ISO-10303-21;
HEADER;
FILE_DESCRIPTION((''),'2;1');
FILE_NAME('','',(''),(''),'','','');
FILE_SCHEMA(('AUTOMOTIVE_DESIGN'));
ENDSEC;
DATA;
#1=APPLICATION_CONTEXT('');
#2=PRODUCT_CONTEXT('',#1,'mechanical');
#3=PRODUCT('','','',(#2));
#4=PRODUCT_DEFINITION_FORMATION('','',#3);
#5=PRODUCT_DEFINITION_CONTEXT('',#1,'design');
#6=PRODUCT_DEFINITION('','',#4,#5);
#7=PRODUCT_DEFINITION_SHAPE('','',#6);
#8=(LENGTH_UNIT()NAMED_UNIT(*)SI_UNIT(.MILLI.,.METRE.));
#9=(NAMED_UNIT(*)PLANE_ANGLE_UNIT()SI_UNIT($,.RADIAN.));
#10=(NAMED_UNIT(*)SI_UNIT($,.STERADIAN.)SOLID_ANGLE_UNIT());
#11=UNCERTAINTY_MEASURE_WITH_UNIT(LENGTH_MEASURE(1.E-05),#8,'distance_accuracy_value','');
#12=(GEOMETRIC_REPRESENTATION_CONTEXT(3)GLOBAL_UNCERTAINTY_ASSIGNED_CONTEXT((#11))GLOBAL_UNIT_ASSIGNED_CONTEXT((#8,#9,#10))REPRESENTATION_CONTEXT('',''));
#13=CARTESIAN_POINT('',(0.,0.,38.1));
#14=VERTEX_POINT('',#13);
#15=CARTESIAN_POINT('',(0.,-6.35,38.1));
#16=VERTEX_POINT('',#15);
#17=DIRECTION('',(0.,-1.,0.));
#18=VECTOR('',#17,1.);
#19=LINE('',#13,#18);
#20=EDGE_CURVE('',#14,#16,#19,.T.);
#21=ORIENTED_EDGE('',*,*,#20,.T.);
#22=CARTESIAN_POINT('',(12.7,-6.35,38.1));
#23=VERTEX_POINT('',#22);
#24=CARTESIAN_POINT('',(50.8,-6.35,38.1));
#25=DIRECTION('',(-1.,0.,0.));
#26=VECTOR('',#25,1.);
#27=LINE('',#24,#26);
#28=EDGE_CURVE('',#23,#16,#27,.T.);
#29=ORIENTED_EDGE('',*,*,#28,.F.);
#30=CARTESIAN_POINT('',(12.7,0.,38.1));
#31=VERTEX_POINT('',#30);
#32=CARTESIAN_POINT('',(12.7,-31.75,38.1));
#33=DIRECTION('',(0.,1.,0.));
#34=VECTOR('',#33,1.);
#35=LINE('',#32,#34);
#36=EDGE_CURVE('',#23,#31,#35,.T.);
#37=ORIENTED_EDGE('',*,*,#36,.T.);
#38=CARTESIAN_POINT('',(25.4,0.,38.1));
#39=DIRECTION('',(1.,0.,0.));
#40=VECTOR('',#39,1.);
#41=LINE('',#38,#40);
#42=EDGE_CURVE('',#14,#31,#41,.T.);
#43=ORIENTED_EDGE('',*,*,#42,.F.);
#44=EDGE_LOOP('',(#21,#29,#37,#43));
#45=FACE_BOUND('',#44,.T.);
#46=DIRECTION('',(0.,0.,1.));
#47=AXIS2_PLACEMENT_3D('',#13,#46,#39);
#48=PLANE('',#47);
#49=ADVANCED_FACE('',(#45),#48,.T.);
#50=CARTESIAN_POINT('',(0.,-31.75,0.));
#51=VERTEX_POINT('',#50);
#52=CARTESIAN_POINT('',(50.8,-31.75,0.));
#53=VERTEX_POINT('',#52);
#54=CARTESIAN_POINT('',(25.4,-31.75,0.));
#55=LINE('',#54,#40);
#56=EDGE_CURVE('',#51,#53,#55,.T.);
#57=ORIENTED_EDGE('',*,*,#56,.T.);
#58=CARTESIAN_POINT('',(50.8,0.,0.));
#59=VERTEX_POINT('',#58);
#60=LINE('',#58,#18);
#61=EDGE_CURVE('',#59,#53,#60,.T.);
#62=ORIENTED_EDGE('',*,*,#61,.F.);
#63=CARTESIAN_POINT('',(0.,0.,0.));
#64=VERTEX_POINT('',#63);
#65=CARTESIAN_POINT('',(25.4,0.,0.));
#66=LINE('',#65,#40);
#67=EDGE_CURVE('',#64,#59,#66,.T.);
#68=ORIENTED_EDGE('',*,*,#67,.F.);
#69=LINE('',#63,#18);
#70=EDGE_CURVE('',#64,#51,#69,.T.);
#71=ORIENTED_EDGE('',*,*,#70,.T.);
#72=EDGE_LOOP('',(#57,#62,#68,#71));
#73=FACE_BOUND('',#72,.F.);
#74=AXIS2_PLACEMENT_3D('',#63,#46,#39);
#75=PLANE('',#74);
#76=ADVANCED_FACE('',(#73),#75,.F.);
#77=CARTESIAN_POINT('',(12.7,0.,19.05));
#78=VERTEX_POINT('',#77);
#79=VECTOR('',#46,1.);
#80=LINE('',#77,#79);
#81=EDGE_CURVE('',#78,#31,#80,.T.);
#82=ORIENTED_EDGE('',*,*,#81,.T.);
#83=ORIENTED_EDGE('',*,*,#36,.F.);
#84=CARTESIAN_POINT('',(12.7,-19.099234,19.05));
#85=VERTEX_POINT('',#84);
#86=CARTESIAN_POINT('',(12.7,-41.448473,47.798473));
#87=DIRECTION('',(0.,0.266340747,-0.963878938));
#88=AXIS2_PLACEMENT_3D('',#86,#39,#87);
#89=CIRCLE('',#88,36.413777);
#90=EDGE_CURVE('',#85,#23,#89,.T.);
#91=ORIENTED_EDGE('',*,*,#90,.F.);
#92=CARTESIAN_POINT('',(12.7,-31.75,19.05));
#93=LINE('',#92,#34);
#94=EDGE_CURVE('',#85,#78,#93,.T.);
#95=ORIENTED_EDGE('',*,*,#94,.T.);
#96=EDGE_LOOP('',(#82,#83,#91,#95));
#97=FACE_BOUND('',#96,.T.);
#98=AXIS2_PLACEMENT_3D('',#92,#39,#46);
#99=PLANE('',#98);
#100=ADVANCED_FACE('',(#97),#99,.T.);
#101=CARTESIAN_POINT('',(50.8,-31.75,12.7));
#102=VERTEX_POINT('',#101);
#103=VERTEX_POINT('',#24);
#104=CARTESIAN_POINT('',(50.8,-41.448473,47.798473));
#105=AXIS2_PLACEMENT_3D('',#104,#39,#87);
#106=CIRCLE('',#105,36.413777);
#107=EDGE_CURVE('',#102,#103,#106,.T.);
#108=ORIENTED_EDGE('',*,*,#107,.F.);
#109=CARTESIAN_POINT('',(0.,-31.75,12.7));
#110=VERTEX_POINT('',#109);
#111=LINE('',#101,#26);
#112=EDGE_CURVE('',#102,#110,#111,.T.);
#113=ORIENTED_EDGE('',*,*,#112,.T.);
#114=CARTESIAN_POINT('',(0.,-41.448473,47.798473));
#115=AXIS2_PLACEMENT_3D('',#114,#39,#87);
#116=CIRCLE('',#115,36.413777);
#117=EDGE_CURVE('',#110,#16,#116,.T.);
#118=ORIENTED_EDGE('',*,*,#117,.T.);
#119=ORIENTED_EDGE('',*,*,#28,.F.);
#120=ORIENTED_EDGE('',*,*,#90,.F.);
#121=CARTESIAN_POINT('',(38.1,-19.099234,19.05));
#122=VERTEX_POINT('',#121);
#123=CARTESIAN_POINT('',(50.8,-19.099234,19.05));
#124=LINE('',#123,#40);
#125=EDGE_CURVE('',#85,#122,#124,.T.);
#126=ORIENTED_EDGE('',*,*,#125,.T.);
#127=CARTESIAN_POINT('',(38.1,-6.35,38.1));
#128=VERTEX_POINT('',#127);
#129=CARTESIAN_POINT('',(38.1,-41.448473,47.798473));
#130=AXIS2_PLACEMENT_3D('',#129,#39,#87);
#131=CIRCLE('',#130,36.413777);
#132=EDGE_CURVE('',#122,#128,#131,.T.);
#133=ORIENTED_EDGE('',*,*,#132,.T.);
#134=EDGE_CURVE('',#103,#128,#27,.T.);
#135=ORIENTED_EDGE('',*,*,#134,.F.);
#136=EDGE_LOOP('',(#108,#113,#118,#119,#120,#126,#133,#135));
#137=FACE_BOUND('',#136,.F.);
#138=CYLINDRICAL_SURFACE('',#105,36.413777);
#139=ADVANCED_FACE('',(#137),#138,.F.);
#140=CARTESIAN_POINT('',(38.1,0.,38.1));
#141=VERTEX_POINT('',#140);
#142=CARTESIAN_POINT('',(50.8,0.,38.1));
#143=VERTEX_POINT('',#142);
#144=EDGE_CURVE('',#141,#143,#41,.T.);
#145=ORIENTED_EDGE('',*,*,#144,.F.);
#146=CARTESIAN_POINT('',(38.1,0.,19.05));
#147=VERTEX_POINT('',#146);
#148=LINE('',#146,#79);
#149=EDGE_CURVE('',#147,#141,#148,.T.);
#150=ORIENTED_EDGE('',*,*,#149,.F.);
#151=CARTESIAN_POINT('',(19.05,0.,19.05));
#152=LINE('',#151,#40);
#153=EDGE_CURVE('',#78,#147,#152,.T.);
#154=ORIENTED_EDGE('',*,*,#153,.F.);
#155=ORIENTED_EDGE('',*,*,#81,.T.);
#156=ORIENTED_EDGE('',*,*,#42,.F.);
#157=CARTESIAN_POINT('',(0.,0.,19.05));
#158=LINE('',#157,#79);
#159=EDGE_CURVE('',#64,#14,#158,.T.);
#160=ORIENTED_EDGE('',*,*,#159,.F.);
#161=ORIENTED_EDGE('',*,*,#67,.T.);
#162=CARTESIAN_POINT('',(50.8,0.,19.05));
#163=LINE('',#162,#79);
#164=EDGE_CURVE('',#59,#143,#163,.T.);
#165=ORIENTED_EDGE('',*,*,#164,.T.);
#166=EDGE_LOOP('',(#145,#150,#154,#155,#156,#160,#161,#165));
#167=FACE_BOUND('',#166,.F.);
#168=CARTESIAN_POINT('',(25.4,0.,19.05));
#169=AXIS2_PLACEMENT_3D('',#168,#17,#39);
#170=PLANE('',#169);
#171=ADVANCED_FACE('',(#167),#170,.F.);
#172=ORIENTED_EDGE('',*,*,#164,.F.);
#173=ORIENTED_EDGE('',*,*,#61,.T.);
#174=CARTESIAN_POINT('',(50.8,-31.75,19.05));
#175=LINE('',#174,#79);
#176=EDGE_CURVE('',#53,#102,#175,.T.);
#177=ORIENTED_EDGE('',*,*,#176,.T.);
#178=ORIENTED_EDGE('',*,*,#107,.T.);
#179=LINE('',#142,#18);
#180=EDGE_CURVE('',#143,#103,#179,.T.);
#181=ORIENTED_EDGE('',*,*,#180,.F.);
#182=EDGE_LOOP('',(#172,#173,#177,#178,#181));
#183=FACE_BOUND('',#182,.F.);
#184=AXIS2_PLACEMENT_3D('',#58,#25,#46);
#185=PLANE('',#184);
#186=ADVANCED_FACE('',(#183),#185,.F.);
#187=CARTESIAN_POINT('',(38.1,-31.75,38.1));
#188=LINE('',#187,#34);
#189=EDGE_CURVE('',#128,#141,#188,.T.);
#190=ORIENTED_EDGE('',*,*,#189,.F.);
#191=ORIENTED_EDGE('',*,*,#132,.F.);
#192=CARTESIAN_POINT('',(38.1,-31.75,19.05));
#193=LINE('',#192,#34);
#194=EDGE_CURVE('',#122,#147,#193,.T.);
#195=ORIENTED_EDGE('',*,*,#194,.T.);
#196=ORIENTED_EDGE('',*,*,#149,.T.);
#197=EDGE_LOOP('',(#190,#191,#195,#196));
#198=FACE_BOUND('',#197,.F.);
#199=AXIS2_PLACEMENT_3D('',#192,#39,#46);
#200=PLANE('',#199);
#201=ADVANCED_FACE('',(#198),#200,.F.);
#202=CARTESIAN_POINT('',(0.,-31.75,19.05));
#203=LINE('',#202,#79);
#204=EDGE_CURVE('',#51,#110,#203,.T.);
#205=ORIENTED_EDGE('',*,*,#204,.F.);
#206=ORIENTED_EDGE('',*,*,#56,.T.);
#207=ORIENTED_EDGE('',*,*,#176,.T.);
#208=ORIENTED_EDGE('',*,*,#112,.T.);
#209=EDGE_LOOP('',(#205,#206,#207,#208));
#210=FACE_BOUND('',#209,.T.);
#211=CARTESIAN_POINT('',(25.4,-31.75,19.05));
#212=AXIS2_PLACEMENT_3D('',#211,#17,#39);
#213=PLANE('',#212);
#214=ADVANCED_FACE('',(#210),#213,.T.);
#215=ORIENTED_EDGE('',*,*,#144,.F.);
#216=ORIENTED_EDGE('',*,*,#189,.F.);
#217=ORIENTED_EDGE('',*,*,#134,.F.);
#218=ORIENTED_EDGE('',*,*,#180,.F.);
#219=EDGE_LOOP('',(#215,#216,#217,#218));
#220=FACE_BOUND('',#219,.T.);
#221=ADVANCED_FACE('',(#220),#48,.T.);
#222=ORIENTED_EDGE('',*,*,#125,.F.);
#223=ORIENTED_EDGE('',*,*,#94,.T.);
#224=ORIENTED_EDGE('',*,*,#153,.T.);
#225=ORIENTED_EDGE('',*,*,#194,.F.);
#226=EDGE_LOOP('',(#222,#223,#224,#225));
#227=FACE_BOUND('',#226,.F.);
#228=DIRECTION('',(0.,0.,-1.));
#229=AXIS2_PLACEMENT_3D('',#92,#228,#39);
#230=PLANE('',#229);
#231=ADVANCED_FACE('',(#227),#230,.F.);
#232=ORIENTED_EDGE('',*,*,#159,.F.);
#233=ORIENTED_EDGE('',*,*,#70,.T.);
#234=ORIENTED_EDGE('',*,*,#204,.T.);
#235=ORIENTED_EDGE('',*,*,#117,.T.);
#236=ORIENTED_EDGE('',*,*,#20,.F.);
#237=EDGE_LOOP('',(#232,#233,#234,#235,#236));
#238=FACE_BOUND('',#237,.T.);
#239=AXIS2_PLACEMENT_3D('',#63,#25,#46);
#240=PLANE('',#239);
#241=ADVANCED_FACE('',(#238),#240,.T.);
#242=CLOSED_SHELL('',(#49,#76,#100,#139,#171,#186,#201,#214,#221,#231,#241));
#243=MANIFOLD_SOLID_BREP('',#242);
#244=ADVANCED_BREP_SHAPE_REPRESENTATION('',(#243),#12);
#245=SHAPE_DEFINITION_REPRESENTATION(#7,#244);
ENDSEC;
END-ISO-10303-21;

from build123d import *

# Parameters (mm, degrees)
F0_W     = 50.8
F0_H     = 38.1
F1_DEPTH = 31.75
F2_W     = 25.4
F2_H     = 19.05
F3_DEPTH = 38.1
F5_DEPTH = 76.2


with BuildPart() as f1:
    # F0 (on Front) → F1 (new body)
    with BuildSketch(Plane.XZ):
        with Locations((25.4, 19.05)):
            Rectangle(F0_W, F0_H)
    extrude(amount=F1_DEPTH)

    # F2 (on face) → F3 (cut)
    with BuildSketch(Plane.XZ.offset(31.75)):
        with Locations((25.4, 28.575)):
            Rectangle(F2_W, F2_H)
    extrude(amount=-F3_DEPTH, mode=Mode.SUBTRACT)

    # F4 (on face) → F5 (cut)
    with BuildSketch(Plane.YZ.offset(50.8)):
        with BuildLine():
            Line((-6.35, 38.1), (-31.75, 38.1))
            Line((-31.75, 38.1), (-31.75, 12.7))
            ThreePointArc((-31.75, 12.7), (-15.700044, 22.050044), (-6.35, 38.1))
        make_face()
    extrude(amount=-F5_DEPTH, mode=Mode.SUBTRACT)


solid = f1.part
